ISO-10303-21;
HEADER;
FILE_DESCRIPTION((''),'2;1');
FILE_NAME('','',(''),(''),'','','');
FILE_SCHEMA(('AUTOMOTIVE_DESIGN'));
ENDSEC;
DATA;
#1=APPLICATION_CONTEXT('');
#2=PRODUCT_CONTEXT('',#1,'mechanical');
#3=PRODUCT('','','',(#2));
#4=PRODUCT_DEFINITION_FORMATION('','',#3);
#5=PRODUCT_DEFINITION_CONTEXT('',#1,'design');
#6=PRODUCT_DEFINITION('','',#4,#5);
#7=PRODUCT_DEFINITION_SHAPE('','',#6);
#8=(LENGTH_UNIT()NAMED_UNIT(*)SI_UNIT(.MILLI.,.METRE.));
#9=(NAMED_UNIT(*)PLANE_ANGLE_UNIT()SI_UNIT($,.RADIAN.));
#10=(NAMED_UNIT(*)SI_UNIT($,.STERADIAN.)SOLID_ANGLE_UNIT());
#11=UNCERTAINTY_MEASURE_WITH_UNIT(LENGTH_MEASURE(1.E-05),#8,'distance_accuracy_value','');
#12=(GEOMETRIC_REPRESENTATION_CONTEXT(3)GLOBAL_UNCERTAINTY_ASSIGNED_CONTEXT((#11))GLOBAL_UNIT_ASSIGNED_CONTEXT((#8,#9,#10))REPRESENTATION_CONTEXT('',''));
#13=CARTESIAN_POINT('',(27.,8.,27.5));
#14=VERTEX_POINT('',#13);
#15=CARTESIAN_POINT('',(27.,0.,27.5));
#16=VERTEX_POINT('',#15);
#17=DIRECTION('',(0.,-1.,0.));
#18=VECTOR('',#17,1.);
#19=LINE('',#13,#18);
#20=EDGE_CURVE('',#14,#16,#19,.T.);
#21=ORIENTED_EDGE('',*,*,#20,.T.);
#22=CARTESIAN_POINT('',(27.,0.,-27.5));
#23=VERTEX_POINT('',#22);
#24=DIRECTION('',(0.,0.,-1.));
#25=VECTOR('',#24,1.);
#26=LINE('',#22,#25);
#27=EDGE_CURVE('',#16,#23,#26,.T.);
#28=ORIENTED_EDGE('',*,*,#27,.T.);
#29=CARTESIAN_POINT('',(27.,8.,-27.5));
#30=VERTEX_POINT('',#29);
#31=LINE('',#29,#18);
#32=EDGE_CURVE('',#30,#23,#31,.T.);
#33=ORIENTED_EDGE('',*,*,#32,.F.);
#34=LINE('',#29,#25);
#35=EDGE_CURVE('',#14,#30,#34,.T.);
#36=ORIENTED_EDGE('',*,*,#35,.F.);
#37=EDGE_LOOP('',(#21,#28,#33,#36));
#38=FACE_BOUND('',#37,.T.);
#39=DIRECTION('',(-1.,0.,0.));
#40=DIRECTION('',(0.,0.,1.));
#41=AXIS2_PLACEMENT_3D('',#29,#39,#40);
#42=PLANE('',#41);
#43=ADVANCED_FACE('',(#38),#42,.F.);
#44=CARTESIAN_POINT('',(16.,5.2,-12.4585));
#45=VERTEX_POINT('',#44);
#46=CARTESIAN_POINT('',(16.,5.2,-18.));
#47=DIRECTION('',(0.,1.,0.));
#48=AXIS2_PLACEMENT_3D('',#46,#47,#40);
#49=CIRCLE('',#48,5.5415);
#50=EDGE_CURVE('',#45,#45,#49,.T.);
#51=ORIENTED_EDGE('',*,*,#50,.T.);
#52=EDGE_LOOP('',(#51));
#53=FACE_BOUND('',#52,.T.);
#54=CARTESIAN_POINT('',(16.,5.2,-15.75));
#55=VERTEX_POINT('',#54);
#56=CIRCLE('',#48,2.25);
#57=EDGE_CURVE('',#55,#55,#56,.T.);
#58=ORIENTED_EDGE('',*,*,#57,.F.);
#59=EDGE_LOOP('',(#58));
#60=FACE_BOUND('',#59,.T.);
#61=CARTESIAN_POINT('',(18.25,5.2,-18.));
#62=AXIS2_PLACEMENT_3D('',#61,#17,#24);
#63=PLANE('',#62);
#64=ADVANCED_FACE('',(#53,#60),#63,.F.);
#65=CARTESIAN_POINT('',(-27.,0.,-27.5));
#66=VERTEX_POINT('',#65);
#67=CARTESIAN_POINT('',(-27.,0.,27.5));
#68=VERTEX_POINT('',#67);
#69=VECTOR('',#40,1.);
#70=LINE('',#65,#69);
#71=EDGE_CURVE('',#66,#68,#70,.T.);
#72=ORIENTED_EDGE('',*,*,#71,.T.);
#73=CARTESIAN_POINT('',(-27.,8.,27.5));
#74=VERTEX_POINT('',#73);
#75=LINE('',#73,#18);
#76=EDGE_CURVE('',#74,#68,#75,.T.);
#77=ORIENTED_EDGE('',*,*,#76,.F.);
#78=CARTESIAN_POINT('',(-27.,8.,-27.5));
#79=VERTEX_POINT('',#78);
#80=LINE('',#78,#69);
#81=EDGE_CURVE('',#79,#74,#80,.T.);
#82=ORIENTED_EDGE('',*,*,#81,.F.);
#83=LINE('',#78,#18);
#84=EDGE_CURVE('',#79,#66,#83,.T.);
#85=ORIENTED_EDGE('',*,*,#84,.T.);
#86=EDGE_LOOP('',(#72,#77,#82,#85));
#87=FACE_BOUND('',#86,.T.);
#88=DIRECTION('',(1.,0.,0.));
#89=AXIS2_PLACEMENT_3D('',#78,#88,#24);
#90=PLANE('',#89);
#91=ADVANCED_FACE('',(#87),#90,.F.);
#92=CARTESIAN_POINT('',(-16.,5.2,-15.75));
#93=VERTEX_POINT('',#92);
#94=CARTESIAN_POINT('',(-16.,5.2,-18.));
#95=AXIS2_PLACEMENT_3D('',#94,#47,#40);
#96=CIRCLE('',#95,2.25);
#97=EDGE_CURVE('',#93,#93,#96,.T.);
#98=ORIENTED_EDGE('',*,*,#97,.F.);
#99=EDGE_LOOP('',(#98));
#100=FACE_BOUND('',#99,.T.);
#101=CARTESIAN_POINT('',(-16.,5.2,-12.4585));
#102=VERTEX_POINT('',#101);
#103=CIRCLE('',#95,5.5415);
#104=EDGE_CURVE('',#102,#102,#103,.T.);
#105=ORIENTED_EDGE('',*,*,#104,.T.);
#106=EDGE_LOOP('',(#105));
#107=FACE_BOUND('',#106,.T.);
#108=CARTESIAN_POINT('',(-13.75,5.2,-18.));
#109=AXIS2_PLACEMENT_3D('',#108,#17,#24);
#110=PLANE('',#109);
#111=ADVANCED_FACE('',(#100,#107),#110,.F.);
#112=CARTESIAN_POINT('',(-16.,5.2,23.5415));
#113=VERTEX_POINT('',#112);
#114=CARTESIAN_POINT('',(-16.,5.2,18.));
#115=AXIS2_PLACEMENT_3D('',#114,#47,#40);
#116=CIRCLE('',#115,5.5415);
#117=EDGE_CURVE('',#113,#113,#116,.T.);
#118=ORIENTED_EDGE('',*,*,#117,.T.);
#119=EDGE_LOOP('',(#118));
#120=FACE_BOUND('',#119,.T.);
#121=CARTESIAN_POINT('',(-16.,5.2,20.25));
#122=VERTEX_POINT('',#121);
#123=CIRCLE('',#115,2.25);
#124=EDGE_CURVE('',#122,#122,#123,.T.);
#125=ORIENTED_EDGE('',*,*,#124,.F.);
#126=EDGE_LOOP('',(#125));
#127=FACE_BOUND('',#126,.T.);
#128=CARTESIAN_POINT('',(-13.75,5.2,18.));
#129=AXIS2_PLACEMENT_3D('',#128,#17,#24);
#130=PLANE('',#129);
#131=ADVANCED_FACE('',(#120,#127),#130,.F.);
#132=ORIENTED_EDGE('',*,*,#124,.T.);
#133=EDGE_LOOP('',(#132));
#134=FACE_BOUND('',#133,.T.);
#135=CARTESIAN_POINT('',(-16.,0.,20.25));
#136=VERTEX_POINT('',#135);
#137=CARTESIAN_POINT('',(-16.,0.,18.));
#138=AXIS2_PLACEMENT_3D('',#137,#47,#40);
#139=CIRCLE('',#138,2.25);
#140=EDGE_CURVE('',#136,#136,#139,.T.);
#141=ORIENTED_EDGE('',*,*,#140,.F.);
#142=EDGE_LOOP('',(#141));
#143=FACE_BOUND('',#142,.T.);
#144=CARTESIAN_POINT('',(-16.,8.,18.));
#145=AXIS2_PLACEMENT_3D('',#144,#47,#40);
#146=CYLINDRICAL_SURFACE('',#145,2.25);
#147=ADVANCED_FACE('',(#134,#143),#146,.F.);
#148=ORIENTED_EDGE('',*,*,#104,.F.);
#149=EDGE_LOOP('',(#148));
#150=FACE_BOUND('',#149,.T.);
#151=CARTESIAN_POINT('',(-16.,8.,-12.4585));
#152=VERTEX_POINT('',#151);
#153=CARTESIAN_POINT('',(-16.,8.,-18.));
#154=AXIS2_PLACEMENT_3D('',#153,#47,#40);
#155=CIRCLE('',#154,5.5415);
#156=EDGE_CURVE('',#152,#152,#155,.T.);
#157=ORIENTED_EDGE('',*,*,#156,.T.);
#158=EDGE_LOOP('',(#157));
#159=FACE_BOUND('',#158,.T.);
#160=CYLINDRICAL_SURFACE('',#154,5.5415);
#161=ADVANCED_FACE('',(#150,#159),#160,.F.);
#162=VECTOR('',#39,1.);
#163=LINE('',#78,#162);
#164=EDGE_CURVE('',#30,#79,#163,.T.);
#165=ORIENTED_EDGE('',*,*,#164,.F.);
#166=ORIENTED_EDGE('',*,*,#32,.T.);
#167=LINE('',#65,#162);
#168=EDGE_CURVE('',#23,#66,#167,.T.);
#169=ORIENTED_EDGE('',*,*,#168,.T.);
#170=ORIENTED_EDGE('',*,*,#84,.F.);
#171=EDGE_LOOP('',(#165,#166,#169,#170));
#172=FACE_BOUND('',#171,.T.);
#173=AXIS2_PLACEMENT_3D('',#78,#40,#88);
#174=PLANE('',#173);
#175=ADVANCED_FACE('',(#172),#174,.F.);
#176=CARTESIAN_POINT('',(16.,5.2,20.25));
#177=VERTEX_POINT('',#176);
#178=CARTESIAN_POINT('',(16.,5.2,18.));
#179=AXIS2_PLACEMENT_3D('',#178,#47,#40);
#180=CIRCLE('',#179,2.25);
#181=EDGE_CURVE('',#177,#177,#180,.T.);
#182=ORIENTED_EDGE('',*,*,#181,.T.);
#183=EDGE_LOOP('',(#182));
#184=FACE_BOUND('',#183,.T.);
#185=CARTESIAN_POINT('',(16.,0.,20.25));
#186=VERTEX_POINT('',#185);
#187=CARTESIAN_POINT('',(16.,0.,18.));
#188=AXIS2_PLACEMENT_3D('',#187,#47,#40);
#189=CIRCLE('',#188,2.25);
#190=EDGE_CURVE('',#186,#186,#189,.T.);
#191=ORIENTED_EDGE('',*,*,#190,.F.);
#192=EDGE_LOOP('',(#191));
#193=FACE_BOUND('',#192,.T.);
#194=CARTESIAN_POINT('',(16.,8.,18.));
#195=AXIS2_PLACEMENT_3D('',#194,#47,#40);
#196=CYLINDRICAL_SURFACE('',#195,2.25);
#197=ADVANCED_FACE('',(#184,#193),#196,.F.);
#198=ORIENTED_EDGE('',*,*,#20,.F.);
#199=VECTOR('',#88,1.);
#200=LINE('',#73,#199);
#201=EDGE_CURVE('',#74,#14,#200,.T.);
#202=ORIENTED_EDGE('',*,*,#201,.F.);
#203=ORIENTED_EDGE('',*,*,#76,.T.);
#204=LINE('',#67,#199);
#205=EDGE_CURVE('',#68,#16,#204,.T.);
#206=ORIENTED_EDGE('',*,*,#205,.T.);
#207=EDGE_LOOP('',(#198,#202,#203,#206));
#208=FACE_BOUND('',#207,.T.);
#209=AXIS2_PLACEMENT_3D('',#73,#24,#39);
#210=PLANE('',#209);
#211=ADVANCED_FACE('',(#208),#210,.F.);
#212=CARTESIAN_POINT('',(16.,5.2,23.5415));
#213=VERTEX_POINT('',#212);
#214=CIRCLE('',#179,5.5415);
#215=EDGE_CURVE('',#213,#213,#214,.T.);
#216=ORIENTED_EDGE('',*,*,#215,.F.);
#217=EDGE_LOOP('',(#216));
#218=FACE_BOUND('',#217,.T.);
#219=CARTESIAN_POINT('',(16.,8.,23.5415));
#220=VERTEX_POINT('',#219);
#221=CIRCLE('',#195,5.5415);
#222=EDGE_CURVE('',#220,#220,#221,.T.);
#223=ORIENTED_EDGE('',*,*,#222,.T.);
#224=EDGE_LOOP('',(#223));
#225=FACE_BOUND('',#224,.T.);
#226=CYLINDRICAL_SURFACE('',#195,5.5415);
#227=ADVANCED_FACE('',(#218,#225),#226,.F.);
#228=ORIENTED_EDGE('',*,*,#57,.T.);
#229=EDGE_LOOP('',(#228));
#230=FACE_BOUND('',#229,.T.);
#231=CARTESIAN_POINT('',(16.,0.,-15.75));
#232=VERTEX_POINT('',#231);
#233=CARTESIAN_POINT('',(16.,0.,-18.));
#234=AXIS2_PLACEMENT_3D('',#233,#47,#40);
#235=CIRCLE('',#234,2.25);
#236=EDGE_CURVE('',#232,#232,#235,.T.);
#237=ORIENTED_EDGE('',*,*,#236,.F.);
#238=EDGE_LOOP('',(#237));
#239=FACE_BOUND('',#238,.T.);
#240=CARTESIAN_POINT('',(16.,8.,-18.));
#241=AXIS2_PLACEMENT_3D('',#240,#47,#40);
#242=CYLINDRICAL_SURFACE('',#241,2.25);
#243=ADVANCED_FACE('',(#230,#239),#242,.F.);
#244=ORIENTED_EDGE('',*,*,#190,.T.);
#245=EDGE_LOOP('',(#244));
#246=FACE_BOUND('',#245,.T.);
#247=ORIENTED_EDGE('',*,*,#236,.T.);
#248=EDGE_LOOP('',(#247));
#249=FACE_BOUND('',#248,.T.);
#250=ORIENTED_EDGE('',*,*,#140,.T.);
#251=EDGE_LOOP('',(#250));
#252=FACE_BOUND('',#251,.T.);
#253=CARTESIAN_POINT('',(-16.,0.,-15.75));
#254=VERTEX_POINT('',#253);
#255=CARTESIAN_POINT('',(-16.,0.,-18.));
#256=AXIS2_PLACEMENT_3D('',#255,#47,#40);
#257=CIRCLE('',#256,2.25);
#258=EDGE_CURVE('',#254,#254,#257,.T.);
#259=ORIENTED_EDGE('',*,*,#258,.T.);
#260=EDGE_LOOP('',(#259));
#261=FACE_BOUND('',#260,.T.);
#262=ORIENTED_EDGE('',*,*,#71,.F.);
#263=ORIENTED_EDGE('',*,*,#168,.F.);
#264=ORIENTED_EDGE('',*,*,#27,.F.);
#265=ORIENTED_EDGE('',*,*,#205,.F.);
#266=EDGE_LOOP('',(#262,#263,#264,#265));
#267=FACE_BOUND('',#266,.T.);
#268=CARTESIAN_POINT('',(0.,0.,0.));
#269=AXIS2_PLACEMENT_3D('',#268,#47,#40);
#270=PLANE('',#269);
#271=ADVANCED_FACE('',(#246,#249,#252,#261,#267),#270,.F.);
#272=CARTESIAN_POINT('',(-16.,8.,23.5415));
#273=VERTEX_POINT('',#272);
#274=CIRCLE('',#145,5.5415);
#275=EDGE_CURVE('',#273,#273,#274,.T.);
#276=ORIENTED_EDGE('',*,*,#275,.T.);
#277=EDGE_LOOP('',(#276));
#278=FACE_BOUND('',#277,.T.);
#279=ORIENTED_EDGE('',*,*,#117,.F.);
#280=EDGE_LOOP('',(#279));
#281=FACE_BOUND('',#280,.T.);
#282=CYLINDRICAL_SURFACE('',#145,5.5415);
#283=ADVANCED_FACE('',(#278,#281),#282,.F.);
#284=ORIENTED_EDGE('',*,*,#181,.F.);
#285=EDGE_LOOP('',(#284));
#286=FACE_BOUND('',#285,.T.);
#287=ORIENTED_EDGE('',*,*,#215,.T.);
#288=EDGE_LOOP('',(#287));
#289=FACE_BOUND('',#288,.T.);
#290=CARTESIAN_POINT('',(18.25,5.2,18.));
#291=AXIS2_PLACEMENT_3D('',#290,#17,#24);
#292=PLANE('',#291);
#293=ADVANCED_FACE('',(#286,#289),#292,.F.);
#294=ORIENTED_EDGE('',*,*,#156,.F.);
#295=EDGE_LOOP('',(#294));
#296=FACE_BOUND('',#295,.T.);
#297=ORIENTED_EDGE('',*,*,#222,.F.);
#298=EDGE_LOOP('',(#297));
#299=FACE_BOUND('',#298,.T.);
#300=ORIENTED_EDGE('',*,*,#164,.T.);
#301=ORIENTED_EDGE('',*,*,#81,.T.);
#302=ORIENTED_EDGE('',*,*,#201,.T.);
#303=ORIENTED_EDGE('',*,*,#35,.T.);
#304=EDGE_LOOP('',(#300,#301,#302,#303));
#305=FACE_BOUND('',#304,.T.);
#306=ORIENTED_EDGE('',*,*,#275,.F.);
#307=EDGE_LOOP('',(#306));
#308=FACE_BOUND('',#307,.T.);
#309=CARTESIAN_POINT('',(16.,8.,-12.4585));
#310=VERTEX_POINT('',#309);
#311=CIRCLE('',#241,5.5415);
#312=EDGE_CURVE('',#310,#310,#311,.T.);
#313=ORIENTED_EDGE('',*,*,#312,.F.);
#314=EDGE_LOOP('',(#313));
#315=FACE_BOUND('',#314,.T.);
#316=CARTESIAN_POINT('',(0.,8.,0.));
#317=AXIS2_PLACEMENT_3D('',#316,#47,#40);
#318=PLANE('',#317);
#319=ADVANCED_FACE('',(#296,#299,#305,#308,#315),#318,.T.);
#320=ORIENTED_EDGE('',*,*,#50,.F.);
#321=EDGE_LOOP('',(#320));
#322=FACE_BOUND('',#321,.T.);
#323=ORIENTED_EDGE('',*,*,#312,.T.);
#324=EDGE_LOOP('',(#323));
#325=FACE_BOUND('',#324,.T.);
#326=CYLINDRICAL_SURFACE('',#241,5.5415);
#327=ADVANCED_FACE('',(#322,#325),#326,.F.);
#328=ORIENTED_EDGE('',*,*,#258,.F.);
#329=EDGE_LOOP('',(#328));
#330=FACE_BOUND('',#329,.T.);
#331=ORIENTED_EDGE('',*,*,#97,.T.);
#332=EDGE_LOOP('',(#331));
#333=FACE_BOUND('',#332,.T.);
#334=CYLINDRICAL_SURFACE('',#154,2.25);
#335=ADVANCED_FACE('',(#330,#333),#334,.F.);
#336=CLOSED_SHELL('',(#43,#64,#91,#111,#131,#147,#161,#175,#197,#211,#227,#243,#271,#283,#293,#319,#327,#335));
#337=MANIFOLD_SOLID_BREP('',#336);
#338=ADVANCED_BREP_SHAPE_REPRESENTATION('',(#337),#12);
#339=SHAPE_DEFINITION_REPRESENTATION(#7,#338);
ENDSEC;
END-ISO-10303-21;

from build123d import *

# Parameters (mm, degrees)
SKETCH1_W                                    = 54
SKETCH1_H                                    = 55
BOSS_EXTRUDE1_DEPTH                          = 8
CBORE_FOR_M4_HEX_HEAD_CAP_SCREW1_D           = 4.5
CBORE_FOR_M4_HEX_HEAD_CAP_SCREW1_CBORE_D     = 11.083
CBORE_FOR_M4_HEX_HEAD_CAP_SCREW1_CBORE_DEPTH = 2.8


with BuildPart() as part:
    # Sketch1 → Boss-Extrude1 (new body)
    with BuildSketch(Plane(origin=(0, 0, 0), x_dir=(1, 0, 0), z_dir=(0, 1, 0))):
        Rectangle(SKETCH1_W, SKETCH1_H)
    extrude(amount=BOSS_EXTRUDE1_DEPTH)

    # CBORE for M4 Hex Head Cap Screw1 (through all)
    with Locations(Plane(origin=(0, 8, 0), x_dir=(1, 0, 0), z_dir=(0, 1, 0))):
        with Locations((-16, 18), (16, 18), (16, -18), (-16, -18)):
            CounterBoreHole(CBORE_FOR_M4_HEX_HEAD_CAP_SCREW1_D / 2, CBORE_FOR_M4_HEX_HEAD_CAP_SCREW1_CBORE_D / 2, CBORE_FOR_M4_HEX_HEAD_CAP_SCREW1_CBORE_DEPTH)


solid = part.part
